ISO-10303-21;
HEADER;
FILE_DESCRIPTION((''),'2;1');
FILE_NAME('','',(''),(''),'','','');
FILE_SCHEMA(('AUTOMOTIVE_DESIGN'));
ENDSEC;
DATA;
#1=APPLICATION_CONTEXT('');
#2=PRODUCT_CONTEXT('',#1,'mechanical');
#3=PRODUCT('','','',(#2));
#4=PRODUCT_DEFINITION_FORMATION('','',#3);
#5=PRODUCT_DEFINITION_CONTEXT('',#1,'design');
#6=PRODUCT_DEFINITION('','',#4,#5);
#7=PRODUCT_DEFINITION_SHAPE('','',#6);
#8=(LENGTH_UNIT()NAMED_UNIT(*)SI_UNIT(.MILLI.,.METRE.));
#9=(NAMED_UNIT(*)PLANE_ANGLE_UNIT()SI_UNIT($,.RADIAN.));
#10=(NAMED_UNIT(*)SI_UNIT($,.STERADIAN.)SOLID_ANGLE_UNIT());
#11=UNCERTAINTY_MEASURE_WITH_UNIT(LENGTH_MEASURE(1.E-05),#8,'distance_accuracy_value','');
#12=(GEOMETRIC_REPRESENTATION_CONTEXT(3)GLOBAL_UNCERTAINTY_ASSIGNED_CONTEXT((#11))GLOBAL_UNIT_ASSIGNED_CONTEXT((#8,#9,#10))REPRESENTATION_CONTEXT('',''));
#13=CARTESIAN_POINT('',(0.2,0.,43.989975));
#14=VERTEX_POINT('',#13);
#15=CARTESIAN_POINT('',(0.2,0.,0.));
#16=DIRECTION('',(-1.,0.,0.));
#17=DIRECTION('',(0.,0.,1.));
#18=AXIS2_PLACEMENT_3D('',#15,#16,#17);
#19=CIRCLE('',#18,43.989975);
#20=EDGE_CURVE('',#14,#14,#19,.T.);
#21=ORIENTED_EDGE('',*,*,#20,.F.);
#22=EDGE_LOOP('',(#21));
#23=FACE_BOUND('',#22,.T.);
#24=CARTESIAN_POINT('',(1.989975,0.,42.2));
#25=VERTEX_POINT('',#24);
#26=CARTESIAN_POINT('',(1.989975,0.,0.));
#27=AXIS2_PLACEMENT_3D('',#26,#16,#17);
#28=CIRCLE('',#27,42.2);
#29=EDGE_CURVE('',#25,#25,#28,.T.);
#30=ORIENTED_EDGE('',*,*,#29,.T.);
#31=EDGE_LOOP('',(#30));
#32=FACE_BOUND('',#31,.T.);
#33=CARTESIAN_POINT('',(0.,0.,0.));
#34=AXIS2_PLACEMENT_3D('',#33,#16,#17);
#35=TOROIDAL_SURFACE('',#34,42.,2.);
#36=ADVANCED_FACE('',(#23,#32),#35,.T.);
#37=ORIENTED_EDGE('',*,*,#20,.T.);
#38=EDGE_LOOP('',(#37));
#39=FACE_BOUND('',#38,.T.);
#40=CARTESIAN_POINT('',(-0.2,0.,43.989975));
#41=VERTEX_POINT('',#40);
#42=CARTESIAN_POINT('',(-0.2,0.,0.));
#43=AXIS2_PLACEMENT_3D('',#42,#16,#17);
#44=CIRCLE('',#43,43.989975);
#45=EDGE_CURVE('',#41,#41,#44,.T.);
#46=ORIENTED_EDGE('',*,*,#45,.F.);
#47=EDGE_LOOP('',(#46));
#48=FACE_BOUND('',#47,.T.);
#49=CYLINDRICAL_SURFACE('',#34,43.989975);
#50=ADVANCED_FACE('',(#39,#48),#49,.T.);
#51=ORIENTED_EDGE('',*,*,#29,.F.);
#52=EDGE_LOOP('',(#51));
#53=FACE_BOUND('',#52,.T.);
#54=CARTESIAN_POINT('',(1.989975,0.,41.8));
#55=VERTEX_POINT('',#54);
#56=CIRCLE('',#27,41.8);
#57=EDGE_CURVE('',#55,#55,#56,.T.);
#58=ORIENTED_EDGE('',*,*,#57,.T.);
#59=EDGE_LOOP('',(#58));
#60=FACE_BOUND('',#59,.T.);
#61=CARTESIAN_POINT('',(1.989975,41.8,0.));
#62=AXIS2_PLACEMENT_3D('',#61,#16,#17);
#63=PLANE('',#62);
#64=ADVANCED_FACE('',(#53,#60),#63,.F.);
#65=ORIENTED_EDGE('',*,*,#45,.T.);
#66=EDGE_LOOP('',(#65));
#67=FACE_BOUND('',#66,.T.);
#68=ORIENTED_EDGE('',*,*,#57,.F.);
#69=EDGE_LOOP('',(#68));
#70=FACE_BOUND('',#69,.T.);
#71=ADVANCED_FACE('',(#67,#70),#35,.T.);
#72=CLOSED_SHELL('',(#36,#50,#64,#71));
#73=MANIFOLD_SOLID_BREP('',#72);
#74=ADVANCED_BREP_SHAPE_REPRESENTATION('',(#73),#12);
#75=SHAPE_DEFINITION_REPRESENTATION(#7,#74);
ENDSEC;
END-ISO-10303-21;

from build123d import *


with BuildPart() as part:
    # Skizze1 → Rotation1 (revolve)
    with BuildSketch(Plane.XY, mode=Mode.PRIVATE) as rotation1_sk:
        with BuildLine():
            Line((-0.2, 43.989974874), (0.2, 43.989974874))
            ThreePointArc((0.2, 43.989974874), (1.414213562, 43.414213562), (1.989974874, 42.2))
            Line((1.989974874, 42.2), (1.989974874, 41.8))
            ThreePointArc((1.989974874, 41.8), (-1.414213562, 40.585786438), (-0.2, 43.989974874))
        make_face()
    revolve(rotation1_sk.sketch.rotate(Axis((0, 0, 0), (1, 0, 0)), 90), axis=Axis((0, 0, 0), (1, 0, 0)))


solid = part.part
